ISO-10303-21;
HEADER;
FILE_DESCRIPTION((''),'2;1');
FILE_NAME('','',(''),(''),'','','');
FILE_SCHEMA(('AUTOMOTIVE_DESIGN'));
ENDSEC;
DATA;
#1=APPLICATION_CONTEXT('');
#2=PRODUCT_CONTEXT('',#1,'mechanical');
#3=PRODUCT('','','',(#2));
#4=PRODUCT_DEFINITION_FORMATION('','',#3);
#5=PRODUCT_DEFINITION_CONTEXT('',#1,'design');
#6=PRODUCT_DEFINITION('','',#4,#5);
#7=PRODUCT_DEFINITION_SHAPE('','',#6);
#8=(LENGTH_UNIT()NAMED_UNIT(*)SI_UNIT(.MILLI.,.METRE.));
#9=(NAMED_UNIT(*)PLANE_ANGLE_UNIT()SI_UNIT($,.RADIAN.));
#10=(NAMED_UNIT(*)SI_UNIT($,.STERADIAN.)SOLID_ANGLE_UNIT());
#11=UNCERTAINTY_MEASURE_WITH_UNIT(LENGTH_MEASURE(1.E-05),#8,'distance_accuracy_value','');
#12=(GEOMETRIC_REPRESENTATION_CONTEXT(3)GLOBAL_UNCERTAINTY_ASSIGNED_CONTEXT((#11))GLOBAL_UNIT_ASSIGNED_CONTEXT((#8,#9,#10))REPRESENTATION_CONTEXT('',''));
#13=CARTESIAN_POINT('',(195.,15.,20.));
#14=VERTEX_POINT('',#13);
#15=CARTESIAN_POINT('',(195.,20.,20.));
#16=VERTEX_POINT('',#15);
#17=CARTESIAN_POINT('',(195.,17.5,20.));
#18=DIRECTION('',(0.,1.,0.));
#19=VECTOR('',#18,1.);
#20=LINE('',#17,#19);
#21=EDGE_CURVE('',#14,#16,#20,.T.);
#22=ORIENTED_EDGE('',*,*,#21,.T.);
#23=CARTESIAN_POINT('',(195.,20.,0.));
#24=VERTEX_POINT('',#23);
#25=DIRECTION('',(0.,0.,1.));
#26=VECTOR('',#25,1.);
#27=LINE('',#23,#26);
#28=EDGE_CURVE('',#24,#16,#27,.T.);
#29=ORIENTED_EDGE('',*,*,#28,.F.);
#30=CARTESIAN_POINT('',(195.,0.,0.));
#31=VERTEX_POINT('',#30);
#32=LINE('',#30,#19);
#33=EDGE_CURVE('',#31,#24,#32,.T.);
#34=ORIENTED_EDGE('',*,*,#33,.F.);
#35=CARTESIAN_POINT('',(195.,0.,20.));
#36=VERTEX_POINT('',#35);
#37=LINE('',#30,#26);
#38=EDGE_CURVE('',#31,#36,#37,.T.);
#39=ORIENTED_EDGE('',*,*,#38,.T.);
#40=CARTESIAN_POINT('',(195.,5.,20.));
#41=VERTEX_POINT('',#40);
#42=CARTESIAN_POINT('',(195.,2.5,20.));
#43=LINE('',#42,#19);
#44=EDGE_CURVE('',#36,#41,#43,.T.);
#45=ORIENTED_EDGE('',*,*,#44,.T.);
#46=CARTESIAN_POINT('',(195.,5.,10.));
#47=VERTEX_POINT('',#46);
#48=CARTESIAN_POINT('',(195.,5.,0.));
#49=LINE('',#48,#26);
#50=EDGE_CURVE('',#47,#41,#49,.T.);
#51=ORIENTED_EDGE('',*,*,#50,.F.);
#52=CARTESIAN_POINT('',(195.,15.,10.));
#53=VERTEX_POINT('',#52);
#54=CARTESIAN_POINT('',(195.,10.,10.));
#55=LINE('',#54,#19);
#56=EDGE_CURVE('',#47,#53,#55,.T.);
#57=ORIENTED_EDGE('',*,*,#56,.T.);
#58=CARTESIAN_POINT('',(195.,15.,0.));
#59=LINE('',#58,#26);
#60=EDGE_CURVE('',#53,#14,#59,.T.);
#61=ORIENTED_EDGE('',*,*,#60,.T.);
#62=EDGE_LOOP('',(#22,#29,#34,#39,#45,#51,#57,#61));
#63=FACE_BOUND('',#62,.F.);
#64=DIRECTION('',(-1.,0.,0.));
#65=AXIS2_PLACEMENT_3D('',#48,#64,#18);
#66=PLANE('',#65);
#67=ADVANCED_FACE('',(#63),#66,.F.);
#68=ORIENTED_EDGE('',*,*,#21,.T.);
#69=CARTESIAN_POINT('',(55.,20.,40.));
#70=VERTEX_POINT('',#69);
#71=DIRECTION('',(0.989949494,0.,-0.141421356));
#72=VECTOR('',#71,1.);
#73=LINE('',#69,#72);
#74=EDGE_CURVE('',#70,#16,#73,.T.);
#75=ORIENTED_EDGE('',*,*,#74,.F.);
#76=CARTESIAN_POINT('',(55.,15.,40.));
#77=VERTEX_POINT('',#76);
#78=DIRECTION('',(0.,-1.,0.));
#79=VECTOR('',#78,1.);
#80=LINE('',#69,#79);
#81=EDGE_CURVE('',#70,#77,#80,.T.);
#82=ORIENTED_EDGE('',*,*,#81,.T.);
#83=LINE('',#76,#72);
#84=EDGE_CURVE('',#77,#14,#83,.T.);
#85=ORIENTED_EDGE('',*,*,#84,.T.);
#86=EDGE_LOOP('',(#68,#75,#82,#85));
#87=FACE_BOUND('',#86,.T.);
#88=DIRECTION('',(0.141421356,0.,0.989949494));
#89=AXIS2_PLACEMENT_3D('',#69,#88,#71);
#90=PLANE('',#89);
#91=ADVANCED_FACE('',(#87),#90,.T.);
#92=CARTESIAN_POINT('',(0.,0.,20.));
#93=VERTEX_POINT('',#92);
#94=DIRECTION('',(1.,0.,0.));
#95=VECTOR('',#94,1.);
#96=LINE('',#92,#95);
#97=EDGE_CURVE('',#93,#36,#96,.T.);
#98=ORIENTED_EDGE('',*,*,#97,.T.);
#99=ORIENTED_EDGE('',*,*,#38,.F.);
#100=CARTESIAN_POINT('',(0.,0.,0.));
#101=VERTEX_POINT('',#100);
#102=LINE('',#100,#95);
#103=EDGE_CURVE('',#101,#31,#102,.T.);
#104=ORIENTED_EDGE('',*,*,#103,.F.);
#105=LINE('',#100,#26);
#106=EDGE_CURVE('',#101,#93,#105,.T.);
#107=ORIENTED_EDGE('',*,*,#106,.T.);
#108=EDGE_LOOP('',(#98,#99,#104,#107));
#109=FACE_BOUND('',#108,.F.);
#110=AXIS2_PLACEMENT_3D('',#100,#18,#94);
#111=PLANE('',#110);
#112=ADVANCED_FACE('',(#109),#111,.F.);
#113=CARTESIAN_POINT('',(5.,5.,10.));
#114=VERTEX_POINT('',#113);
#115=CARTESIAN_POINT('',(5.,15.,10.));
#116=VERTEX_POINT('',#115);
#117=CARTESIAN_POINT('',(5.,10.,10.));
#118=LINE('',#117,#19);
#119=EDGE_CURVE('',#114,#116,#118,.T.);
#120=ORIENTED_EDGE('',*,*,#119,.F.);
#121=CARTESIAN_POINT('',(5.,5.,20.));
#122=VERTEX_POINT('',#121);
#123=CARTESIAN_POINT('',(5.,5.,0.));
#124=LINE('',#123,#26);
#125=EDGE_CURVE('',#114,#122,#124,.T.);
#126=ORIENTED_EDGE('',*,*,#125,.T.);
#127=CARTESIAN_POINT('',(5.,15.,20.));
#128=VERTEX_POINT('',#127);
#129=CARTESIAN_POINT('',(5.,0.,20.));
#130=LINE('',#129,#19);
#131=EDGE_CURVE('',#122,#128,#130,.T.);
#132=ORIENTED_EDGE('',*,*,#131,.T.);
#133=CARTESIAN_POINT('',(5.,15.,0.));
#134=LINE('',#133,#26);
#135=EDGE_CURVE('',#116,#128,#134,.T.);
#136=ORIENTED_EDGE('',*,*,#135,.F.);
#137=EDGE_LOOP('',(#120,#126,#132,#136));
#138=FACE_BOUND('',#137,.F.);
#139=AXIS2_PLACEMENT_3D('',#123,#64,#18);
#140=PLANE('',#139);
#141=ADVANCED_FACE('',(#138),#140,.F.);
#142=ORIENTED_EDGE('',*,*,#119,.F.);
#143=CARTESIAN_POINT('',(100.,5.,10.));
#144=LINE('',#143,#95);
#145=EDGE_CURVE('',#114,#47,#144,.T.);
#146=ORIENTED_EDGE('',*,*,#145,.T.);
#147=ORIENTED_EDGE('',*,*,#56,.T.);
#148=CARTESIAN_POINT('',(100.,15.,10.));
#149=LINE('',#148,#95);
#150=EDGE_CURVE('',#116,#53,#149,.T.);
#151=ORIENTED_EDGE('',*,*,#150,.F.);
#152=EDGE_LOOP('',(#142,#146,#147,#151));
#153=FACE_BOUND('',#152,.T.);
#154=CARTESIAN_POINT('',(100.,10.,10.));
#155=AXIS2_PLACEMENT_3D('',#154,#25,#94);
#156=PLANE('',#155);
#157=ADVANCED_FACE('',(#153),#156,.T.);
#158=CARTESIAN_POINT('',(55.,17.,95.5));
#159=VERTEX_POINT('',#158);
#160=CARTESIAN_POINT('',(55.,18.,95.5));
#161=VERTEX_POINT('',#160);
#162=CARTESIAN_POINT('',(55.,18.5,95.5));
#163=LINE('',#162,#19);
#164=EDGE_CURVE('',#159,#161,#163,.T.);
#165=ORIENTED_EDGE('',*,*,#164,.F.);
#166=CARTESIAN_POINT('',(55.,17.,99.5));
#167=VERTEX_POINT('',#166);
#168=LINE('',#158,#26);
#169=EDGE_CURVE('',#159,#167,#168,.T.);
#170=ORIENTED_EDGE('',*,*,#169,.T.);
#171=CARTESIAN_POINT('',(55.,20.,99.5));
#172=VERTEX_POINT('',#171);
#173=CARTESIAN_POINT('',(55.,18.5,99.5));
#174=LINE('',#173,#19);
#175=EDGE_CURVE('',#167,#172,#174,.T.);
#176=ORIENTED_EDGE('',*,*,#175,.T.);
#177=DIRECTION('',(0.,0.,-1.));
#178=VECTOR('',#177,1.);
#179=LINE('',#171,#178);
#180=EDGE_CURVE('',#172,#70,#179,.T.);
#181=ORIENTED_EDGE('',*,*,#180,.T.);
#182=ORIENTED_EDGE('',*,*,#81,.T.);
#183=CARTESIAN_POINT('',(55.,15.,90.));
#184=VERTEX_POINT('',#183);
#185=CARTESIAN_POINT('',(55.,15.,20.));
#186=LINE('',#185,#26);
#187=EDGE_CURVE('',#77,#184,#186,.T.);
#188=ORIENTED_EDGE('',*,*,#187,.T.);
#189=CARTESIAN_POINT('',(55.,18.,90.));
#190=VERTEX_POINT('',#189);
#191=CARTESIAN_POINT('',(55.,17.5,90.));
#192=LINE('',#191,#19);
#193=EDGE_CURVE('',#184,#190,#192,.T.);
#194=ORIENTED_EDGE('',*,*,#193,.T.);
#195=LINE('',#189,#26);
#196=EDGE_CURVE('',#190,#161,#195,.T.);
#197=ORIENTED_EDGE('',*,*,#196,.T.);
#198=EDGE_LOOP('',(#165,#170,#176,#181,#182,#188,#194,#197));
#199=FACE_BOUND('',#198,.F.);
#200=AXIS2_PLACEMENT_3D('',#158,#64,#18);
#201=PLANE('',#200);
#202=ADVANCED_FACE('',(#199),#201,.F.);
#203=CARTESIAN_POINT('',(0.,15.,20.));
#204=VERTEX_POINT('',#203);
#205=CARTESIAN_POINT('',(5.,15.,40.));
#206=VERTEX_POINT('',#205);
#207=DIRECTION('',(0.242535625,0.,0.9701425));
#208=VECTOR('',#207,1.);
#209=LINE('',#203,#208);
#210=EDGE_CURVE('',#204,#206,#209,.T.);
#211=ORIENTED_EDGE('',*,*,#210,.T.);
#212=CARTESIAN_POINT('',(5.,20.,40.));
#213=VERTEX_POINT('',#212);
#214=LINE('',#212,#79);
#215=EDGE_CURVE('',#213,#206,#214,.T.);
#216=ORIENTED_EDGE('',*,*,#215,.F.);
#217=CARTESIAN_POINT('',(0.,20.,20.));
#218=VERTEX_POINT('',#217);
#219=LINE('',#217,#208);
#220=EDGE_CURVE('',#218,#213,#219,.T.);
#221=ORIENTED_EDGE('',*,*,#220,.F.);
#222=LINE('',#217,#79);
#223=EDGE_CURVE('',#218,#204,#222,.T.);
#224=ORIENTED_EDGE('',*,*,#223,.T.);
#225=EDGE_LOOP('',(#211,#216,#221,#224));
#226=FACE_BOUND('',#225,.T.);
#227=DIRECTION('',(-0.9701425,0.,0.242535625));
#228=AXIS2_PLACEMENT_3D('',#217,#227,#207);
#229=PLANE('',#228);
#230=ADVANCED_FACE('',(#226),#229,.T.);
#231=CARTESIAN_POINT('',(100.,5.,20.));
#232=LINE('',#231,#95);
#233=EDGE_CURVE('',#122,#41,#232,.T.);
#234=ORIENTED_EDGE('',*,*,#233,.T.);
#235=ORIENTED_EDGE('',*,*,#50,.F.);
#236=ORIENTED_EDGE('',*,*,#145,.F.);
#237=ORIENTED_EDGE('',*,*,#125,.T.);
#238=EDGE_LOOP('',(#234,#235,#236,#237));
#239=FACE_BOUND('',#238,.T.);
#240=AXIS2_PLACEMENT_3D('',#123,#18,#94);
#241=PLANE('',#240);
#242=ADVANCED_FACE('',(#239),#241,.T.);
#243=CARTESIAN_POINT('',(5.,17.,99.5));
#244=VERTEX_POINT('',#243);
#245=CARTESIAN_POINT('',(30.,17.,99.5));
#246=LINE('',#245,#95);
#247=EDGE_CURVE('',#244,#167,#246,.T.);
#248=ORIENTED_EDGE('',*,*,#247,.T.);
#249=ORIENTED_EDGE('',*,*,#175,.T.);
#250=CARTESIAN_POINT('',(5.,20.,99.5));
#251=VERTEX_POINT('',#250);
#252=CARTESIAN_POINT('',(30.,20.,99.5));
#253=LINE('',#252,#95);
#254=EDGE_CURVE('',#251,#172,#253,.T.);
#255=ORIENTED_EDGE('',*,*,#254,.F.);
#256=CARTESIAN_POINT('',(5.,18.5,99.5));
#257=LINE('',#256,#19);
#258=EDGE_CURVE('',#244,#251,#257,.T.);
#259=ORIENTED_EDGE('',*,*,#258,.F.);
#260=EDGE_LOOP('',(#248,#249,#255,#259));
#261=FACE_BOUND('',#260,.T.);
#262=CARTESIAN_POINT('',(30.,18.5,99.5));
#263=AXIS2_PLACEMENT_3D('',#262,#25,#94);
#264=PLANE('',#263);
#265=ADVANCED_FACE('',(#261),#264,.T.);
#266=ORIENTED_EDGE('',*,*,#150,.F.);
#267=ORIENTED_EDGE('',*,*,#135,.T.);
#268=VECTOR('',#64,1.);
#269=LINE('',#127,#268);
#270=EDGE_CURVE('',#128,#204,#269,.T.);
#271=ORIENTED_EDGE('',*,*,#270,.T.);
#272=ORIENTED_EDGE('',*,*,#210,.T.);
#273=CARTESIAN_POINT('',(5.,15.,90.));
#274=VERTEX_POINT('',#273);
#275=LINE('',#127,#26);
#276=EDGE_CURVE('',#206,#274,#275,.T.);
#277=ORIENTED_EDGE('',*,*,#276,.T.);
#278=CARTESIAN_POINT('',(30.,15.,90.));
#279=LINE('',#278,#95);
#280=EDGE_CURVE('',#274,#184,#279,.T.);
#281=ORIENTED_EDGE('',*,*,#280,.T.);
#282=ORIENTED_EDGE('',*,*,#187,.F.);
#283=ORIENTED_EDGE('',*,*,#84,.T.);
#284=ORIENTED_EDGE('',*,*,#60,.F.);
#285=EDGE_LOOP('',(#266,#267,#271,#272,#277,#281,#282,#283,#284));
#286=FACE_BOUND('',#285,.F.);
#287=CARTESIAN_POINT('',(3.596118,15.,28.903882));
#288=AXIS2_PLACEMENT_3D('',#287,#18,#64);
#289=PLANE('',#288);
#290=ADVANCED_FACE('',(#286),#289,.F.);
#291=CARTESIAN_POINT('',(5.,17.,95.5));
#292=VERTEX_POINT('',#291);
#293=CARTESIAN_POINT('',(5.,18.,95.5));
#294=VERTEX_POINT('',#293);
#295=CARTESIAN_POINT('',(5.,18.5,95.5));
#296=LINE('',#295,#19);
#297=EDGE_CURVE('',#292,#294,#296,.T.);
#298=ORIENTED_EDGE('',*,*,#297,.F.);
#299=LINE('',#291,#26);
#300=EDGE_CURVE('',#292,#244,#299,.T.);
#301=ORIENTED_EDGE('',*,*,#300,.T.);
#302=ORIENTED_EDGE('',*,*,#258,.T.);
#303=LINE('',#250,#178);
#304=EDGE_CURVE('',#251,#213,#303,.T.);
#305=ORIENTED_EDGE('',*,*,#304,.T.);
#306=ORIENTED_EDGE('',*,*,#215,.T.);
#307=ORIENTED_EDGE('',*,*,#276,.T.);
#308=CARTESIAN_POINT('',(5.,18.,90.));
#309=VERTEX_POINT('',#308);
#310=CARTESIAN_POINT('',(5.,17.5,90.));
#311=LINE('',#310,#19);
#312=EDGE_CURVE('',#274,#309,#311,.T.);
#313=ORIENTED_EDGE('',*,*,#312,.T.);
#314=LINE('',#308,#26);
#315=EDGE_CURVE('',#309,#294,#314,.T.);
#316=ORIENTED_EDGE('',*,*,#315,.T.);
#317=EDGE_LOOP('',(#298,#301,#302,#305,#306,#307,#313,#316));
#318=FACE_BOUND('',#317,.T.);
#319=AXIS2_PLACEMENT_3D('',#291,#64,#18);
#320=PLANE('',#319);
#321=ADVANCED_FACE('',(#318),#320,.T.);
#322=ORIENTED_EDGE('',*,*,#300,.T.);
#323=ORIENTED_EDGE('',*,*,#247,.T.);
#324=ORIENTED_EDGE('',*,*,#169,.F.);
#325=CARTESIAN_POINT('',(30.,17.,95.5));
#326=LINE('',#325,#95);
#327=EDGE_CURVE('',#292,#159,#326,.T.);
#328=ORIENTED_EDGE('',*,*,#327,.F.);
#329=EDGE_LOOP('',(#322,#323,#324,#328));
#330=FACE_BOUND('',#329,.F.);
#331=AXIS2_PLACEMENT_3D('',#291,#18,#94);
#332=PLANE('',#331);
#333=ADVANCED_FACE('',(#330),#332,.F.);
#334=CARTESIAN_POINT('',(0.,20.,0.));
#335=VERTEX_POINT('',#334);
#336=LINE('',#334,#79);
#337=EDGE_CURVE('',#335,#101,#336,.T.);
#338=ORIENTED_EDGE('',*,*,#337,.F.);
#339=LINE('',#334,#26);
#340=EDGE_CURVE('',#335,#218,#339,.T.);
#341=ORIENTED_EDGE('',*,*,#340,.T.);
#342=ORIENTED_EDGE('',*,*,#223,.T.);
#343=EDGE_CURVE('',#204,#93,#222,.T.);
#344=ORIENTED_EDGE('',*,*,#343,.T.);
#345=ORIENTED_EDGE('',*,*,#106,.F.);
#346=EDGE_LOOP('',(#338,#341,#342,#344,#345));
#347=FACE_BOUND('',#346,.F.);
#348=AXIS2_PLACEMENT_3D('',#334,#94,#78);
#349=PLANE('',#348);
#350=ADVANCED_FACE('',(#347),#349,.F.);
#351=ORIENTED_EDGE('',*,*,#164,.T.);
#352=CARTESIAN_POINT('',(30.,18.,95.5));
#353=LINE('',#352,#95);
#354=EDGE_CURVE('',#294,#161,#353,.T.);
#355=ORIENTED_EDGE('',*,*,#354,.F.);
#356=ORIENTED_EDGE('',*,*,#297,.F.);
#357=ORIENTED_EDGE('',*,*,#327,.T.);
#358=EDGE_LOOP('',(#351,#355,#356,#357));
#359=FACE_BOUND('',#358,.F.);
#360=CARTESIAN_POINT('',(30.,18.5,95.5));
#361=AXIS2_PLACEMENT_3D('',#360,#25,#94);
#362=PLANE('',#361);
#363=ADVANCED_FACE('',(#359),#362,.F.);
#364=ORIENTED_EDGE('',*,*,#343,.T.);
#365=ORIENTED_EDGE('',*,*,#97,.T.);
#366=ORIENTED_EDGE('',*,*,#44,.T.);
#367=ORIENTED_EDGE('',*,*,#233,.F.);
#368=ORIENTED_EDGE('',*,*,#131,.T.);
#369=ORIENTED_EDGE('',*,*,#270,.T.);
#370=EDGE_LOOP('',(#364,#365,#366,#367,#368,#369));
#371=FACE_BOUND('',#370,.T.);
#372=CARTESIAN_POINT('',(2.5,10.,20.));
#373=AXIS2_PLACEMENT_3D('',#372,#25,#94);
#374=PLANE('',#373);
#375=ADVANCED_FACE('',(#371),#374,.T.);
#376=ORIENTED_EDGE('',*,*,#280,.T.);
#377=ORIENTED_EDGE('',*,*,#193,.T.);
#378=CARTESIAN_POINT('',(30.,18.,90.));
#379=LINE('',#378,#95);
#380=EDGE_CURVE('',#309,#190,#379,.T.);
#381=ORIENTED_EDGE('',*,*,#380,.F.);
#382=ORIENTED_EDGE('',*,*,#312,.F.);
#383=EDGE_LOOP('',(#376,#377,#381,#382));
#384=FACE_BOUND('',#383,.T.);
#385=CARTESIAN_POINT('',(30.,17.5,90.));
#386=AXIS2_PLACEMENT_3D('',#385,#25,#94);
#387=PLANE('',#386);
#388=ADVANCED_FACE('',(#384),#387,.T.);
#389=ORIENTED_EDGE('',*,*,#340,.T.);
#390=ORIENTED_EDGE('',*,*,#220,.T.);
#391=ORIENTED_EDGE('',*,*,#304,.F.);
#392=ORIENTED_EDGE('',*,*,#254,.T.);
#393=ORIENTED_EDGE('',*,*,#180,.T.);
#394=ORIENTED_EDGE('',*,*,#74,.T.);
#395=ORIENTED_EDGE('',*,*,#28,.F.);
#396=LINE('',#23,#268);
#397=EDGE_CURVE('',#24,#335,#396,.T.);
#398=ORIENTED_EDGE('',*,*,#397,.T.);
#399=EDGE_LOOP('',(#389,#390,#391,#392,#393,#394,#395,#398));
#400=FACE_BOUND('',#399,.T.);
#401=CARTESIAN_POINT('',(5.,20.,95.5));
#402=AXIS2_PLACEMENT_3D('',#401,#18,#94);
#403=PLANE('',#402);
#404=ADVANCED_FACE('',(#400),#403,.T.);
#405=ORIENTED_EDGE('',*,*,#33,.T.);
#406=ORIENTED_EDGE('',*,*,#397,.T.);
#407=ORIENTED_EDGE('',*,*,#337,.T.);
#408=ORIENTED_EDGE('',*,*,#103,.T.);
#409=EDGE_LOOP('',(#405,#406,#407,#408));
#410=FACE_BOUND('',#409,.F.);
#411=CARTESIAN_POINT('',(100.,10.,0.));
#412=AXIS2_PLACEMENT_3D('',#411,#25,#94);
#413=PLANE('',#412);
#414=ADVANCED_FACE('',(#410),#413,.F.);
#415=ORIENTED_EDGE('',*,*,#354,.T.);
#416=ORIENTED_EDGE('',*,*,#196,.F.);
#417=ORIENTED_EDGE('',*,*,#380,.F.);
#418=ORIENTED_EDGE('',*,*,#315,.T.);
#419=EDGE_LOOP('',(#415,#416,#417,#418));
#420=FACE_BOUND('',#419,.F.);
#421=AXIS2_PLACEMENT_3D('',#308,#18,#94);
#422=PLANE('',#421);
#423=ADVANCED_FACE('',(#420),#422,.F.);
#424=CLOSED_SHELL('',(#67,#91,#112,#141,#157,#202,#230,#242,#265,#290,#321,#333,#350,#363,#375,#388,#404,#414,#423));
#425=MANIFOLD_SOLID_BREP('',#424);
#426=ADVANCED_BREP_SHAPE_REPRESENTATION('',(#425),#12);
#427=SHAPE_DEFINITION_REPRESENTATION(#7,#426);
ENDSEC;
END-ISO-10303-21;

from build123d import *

# Parameters (mm, degrees)
F0_W      = 190
F0_H      = 5
F1_DEPTH  = 20
F2_W      = 190
F2_H      = 10
F3_DEPTH  = 10
F4_W      = 50
F4_H      = 5
F5_DEPTH  = 70
F7_DEPTH  = 5
F8_W      = 50
F8_H      = 2
F9_DEPTH  = 5.5
F10_W     = 50
F10_H     = 3
F11_DEPTH = 4


with BuildPart() as f1:
    # F0 (on Top) → F1 (new body)
    with BuildSketch(Plane.XY):
        Polygon((0, 20), (0, 0), (5, 0), (5, 5), (5, 15), (5, 20), align=None)
        with Locations((100, 2.5)):
            Rectangle(F0_W, F0_H)
        with Locations((100, 17.5)):
            Rectangle(F0_W, F0_H)
    extrude(amount=F1_DEPTH)

    # F2 (on Top) → F3 (join)
    with BuildSketch(Plane.XY):
        with Locations((100, 10)):
            Rectangle(F2_W, F2_H)
    extrude(amount=F3_DEPTH)

    # F4 (on face) → F5 (join)
    with BuildSketch(Plane.XY.offset(20)):
        with Locations((30, 17.5)):
            Rectangle(F4_W, F4_H)
    extrude(amount=F5_DEPTH)

    # F6 (on face) → F7 (join)
    with BuildSketch(Plane(origin=(0, 20, 0), x_dir=(-1, 0, 0), z_dir=(0, 1, 0))):
        Polygon((-5, 20), (0, 20), (-5, 40), align=None)
        Polygon((-195, 20), (-55, 20), (-55, 40), align=None)
    extrude(amount=-F7_DEPTH)

    # F8 (on face) → F9 (join)
    with BuildSketch(Plane.XY.offset(90)):
        with Locations((30, 19)):
            Rectangle(F8_W, F8_H)
    extrude(amount=F9_DEPTH)

    # F10 (on face) → F11 (join)
    with BuildSketch(Plane.XY.offset(95.5)):
        with Locations((30, 18.5)):
            Rectangle(F10_W, F10_H)
    extrude(amount=F11_DEPTH)


solid = f1.part
